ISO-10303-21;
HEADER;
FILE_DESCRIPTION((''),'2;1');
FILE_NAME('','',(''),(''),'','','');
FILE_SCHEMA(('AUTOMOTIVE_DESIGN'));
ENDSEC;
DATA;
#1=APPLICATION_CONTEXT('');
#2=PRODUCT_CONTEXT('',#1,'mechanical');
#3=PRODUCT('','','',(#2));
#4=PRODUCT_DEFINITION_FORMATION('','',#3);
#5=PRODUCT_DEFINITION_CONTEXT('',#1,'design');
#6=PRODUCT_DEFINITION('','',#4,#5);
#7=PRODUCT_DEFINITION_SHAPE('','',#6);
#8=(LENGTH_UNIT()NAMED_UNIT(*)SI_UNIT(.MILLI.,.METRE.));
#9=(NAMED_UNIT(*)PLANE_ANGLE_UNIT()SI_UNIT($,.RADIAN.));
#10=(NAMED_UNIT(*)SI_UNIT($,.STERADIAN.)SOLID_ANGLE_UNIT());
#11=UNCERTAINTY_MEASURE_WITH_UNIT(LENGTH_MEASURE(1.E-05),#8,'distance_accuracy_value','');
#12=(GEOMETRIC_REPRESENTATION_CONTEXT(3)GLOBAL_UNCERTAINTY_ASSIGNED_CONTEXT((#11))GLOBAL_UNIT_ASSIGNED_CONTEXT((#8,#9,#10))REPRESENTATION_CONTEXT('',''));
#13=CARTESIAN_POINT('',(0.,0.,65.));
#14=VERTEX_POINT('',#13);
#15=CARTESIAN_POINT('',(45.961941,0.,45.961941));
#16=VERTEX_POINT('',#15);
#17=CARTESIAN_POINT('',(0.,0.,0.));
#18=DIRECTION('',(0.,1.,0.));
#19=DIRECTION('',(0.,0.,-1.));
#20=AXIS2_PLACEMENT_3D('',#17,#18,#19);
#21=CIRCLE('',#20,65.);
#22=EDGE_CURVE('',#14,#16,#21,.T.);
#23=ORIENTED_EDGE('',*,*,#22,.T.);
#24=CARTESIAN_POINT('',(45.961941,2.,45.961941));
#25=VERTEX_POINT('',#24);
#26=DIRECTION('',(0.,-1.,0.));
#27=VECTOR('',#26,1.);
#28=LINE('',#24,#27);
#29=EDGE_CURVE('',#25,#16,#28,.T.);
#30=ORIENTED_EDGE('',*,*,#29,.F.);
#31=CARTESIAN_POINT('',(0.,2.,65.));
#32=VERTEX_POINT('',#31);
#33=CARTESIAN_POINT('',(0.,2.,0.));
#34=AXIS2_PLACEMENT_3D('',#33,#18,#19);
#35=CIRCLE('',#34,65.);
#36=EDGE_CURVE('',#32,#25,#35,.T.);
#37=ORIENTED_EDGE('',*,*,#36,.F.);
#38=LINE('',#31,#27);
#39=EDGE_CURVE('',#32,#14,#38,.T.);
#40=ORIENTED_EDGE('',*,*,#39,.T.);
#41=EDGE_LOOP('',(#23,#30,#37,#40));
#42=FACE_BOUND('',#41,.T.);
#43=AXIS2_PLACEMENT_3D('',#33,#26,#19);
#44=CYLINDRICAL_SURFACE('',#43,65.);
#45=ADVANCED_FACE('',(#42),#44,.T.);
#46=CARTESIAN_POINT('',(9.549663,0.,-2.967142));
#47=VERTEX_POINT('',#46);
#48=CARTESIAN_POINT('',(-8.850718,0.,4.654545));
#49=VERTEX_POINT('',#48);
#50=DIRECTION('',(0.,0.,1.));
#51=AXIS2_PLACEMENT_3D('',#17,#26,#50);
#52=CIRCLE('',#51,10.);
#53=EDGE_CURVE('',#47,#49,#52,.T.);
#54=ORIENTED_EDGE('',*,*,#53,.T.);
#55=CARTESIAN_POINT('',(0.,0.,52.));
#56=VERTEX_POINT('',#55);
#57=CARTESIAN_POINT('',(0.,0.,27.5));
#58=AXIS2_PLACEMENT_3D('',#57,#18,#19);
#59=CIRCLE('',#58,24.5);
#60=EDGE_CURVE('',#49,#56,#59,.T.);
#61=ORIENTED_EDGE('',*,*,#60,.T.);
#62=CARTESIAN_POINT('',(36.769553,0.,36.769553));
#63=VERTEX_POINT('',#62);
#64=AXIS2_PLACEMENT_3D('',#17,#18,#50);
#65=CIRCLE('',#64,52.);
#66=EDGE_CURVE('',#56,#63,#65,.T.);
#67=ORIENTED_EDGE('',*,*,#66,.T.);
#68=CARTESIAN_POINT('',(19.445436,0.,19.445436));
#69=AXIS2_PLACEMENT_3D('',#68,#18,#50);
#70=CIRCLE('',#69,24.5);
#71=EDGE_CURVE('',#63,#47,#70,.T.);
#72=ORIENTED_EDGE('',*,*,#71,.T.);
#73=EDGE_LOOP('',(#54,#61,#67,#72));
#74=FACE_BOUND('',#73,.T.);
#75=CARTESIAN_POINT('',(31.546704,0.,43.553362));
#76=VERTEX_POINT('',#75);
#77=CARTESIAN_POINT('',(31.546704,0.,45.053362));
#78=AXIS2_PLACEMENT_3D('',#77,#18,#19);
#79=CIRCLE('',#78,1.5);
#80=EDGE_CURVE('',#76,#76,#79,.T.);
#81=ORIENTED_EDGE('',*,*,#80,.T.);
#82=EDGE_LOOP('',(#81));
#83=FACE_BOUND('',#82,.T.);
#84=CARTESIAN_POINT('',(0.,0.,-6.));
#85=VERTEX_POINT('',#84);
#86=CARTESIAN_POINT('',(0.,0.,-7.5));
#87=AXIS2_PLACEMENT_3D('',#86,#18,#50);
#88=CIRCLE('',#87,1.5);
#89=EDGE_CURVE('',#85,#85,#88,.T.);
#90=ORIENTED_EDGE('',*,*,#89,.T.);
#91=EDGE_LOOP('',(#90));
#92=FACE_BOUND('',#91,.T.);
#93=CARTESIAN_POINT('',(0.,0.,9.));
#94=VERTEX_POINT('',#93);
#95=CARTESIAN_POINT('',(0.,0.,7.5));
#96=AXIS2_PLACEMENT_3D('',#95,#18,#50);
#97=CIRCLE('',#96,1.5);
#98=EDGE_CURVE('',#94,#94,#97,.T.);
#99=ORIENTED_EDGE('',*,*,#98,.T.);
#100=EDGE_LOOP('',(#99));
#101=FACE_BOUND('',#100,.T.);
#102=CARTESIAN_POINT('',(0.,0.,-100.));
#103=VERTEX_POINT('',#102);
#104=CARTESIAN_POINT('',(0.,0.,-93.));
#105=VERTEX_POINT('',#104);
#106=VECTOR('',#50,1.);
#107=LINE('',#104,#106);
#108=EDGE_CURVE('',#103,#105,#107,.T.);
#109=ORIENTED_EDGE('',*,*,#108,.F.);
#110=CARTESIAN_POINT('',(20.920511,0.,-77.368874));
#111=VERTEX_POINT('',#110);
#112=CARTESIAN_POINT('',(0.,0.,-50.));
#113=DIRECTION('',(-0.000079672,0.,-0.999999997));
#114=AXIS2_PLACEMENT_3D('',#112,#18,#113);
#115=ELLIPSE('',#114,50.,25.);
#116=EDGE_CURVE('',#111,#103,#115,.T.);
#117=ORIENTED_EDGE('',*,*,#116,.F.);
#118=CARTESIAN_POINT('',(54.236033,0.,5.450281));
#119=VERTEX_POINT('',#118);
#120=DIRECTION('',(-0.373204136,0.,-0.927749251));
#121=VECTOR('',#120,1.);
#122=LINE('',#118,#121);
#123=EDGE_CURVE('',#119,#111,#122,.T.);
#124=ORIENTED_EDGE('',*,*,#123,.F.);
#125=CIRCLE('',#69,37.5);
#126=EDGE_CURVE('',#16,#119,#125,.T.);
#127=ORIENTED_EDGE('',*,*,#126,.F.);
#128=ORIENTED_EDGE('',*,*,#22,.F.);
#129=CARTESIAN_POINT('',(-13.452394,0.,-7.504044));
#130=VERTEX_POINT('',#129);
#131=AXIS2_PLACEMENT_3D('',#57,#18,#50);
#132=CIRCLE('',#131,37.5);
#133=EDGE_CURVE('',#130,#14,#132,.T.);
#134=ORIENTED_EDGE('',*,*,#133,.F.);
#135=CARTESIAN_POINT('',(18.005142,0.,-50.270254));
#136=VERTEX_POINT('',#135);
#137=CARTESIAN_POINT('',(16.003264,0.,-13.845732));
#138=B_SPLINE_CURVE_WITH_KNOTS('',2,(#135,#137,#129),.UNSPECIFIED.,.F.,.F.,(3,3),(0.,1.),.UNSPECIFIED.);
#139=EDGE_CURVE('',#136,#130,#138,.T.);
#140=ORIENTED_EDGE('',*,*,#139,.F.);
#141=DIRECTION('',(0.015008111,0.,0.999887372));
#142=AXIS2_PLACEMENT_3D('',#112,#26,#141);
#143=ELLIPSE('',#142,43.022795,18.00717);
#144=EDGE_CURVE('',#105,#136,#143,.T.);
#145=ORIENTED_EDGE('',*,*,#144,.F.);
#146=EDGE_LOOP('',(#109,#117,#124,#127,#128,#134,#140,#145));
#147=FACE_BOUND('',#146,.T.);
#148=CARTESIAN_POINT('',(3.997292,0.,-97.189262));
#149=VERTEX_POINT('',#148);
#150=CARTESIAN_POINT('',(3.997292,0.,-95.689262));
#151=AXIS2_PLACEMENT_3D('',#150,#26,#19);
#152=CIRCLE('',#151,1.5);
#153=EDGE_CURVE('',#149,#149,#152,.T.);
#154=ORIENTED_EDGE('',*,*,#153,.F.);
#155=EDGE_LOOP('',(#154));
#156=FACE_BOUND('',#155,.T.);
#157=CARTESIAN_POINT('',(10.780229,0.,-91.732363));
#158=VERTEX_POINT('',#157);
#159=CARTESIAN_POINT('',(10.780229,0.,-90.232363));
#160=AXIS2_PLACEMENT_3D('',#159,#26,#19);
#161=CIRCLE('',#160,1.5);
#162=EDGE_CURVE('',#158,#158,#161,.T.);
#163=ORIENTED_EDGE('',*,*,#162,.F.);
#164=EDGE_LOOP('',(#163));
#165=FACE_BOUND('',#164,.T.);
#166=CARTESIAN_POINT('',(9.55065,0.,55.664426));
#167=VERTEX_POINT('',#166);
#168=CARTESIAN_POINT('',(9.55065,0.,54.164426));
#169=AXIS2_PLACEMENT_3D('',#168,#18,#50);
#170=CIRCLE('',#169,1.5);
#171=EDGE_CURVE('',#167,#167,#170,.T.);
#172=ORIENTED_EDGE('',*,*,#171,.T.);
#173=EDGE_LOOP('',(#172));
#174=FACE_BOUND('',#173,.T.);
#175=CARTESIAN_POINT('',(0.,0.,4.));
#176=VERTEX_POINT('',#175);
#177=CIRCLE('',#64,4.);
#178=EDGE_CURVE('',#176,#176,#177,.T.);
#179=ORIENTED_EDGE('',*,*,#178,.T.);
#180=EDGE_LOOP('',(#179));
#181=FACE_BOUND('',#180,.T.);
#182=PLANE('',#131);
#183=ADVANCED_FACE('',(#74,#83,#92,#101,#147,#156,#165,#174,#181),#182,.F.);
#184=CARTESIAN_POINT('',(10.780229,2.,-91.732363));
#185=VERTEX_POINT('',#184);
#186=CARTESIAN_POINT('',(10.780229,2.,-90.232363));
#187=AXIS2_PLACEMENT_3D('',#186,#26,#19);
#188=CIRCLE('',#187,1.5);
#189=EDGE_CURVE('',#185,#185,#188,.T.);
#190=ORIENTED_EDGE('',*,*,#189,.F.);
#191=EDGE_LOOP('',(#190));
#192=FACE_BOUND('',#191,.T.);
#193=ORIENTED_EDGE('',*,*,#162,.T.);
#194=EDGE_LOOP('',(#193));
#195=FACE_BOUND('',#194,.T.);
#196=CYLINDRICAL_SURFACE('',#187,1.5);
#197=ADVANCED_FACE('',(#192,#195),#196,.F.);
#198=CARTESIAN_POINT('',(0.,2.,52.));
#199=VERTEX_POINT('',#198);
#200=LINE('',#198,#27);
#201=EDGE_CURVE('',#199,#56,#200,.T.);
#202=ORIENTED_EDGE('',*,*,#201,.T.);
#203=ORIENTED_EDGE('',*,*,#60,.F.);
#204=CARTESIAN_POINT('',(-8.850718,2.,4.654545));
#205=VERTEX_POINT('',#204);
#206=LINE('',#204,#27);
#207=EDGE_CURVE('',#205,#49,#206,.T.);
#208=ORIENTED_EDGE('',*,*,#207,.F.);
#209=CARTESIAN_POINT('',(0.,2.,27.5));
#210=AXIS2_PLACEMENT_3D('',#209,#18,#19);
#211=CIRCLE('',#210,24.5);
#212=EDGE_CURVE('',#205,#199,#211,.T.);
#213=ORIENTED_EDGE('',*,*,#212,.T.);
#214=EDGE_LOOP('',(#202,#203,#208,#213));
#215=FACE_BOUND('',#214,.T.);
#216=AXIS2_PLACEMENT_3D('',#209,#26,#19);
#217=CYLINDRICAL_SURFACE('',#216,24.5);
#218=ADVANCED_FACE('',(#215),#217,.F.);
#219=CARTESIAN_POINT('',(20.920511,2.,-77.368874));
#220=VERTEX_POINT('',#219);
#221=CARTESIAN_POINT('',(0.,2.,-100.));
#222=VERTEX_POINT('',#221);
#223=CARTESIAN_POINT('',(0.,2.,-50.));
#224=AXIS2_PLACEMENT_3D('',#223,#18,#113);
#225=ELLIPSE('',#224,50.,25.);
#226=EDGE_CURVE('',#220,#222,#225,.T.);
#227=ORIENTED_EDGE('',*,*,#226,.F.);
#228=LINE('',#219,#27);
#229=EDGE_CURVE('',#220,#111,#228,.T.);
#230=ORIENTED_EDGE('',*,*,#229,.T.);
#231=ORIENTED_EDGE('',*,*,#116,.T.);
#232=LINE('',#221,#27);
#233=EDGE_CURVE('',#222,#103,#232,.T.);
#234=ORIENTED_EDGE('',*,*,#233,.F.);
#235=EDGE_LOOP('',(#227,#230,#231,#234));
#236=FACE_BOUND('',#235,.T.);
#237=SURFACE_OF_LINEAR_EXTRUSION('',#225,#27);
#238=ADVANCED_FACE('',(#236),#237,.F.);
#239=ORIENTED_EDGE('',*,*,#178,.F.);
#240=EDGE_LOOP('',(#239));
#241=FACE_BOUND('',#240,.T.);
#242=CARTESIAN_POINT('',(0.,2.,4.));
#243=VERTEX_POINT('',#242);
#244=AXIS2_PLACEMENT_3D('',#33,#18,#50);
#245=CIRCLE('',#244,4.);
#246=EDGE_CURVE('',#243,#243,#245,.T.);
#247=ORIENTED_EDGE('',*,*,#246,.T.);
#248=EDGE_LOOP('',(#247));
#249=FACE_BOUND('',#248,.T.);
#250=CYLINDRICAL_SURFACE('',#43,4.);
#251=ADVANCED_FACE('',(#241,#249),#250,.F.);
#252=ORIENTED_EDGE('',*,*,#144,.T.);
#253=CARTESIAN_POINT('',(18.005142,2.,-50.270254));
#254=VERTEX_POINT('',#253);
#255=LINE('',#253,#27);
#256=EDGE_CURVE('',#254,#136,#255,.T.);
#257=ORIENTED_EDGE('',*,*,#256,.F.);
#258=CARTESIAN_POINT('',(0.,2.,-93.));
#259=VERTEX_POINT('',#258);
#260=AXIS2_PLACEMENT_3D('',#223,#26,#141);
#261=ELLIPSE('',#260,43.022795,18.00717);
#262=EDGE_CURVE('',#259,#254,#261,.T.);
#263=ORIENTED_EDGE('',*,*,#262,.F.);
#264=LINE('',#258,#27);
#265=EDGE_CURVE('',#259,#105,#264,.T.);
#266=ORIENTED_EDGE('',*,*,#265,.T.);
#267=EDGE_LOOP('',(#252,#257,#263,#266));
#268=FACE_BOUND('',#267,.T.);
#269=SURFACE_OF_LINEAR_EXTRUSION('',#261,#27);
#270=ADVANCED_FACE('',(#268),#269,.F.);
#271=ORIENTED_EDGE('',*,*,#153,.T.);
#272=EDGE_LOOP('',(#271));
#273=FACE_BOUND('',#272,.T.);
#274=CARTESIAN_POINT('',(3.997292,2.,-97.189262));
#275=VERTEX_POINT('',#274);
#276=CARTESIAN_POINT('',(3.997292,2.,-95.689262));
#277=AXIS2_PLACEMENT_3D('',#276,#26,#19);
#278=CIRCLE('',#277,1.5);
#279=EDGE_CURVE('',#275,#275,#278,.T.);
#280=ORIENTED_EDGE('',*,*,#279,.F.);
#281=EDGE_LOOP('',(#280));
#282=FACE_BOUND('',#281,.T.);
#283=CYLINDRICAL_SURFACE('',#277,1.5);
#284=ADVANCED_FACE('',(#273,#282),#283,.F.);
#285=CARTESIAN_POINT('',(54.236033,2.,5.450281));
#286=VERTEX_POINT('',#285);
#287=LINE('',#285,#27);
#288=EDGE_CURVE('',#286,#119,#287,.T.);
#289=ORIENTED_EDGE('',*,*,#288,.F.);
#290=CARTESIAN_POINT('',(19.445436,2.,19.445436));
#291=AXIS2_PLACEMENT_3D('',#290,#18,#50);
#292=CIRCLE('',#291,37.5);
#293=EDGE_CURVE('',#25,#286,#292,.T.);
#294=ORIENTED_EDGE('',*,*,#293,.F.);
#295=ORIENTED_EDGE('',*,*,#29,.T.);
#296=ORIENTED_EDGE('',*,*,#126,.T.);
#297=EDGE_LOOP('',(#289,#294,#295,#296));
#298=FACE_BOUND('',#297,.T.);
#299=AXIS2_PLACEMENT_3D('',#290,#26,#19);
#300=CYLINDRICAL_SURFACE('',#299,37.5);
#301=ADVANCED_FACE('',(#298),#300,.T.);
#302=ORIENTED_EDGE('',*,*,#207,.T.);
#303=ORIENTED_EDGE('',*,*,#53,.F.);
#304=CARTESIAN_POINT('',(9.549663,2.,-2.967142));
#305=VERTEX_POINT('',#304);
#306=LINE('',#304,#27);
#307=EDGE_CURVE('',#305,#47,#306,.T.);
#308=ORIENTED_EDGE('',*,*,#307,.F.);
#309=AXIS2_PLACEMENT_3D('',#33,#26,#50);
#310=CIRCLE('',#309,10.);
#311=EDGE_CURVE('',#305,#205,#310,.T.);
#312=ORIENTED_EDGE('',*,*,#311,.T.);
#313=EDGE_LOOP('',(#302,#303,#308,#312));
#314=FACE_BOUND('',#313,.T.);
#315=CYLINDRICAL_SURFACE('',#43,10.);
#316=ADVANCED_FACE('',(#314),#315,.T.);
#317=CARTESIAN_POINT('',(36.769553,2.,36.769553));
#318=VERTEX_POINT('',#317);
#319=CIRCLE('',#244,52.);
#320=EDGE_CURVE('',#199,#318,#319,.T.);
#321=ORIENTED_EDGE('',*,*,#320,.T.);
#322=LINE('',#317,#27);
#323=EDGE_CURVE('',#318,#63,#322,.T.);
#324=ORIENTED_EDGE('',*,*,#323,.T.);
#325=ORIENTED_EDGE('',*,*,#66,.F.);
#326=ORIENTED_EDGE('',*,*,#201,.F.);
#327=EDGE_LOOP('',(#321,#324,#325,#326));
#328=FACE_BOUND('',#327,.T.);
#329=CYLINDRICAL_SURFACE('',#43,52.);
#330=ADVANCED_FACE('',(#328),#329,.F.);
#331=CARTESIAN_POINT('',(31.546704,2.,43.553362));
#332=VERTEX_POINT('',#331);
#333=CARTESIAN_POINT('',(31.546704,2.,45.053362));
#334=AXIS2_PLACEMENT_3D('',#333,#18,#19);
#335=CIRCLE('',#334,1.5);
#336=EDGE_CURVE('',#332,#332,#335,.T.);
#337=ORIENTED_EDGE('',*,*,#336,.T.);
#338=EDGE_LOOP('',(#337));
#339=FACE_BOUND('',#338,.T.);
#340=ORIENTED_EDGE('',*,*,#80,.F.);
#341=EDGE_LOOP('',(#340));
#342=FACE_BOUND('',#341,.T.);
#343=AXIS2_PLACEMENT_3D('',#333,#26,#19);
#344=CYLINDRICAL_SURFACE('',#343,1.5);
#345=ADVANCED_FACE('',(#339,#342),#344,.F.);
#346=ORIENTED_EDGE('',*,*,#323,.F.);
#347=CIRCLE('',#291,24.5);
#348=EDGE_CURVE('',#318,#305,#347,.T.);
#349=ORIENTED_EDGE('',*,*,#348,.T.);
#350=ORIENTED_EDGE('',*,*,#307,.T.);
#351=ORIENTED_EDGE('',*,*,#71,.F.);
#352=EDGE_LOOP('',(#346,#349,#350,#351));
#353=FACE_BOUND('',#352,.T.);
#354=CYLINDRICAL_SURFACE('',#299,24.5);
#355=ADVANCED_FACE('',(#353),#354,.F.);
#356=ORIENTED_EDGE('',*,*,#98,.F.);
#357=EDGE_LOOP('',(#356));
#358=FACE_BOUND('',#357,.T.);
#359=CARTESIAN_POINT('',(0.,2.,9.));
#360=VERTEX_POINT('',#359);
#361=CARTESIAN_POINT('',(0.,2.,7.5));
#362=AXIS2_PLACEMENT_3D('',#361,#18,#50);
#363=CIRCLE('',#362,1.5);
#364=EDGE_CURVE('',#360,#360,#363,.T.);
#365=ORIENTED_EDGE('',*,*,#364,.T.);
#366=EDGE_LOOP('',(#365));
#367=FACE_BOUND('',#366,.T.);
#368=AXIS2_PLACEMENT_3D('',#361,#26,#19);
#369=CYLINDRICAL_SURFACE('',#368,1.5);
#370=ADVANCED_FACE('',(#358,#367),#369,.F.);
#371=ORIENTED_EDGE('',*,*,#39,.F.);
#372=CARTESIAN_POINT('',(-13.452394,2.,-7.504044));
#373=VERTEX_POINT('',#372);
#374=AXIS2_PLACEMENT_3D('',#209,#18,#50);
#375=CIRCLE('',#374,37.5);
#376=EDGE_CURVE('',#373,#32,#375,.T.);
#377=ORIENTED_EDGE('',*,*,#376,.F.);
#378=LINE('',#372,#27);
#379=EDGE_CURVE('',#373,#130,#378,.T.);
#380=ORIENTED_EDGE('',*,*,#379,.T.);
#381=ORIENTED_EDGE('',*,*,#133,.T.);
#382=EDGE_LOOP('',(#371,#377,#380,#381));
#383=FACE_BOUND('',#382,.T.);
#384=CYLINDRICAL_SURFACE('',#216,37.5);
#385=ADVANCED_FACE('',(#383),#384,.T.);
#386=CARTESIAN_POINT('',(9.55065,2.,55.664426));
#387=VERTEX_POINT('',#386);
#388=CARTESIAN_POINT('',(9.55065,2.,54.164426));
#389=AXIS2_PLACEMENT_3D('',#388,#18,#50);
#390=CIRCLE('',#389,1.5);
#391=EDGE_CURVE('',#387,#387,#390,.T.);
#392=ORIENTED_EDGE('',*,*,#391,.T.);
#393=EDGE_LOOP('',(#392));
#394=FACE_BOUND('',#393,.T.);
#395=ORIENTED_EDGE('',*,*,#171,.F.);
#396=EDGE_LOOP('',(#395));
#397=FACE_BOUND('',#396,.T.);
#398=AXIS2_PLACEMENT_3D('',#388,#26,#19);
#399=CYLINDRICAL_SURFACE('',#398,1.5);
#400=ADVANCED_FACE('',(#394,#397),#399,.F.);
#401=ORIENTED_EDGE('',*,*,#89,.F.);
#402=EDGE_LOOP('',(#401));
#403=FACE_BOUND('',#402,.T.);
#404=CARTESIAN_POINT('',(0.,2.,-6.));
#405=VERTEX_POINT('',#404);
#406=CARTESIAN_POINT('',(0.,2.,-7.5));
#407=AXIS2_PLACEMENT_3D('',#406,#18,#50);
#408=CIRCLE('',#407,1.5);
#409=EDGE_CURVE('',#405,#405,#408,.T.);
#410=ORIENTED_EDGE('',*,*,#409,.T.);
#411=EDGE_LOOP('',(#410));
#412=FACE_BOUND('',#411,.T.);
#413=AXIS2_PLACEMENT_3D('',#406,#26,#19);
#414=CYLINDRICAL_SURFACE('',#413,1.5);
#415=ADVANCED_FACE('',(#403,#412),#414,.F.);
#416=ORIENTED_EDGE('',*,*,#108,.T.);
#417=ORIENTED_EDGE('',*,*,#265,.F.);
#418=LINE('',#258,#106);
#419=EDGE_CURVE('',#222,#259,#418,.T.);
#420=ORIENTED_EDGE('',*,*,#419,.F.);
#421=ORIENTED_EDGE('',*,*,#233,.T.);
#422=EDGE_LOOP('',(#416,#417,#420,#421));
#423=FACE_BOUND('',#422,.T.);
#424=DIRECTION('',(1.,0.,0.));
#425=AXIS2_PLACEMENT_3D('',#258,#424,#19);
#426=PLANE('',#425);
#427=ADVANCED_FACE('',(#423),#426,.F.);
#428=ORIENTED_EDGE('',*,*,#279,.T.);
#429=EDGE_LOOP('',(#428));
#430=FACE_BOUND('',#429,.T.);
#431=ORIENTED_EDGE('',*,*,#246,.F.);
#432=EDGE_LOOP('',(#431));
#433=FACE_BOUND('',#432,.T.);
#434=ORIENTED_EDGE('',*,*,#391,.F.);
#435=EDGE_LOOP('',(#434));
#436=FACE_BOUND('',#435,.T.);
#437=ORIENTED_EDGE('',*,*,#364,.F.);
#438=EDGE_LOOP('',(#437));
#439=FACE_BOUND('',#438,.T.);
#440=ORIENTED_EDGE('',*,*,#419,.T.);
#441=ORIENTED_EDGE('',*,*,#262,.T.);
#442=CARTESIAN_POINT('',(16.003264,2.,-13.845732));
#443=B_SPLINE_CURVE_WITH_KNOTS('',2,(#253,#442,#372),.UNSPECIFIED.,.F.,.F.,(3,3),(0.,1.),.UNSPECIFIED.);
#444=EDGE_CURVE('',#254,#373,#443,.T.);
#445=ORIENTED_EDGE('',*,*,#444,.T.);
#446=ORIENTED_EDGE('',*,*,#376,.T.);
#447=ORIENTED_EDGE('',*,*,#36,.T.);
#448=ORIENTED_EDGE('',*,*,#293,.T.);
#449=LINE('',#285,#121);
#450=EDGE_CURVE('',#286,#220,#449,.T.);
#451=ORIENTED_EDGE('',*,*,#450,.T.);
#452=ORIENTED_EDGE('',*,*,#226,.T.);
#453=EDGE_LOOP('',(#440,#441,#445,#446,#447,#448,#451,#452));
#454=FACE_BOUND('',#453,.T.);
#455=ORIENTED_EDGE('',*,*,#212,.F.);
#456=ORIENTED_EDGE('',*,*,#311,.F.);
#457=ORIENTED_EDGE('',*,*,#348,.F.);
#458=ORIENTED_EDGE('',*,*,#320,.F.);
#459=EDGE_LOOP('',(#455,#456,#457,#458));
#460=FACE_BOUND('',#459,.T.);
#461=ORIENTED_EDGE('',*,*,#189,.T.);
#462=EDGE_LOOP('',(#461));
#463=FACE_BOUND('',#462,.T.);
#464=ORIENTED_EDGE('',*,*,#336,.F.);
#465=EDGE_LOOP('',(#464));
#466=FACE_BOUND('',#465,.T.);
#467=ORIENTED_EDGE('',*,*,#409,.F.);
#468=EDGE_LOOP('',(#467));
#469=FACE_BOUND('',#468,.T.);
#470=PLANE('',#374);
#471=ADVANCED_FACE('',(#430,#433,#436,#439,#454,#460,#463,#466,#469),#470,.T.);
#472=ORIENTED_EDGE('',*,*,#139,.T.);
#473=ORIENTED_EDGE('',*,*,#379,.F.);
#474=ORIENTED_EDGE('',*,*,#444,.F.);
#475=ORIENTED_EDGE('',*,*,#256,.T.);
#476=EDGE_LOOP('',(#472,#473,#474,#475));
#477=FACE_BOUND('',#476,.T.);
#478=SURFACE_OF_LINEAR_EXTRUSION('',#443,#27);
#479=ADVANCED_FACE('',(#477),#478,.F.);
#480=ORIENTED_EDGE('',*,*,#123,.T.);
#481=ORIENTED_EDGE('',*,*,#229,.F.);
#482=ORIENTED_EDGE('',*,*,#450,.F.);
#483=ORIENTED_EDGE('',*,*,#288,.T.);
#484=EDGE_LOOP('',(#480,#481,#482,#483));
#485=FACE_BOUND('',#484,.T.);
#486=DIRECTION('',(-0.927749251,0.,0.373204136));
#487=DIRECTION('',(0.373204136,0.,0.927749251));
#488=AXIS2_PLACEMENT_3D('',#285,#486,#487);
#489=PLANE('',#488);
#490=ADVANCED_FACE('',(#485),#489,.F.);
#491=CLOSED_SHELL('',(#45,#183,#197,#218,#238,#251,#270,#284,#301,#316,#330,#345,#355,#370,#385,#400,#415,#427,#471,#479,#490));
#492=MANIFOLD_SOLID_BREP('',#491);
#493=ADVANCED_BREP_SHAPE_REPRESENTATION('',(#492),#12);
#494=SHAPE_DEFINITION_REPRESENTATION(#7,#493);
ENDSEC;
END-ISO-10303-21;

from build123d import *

# Parameters (mm, degrees)
SKETCH_1_R          = 1.5
SKETCH_1_R_2        = 4
EXTRUDE_1_DEPTH     = 2
SKETCH_2_R          = 1.5
CUT_EXTRUDE_1_DEPTH = 116.094668721


with BuildPart() as part:
    # Эскиз1 → Бобышка-Вытянуть1 (new body)
    with BuildSketch(Plane(origin=(0, 0, 0), x_dir=(1, 0, 0), z_dir=(0, 1, 0))):
        with BuildLine():
            Line((54.236033393, -5.45028137), (20.920510558, 77.368874006))
            add(Edge.make_bspline(
                [(20.920510558, 77.368874006), (13.519104954, 99.996768719), (0, 100)],
                knots=[2.149983836, 2.149983836, 2.149983836, 3.14143331, 3.14143331, 3.14143331], degree=2, weights=[1, 0.879624206, 1]))
            Line((0, 100), (0, 93))
            add(Edge.make_bspline(
                [(18.005142203, 50.270253613), (17.382191681, 91.773168681), (0, 93)],
                knots=[1.570796327, 1.570796327, 1.570796327, 3.105746544, 3.105746544, 3.105746544], degree=2, weights=[1, 0.719666045, 1]))
            add(Edge.make_bspline(
                [(-13.452394346, 7.504043857), (16.003264405, 13.845732338), (18.005142203, 50.270253613)],
                knots=[0, 0, 0, 1, 1, 1], degree=2))
            ThreePointArc((-13.452394346, 7.504043857), (-36.870731242, -34.340992448), (0, -65))
            ThreePointArc((0, -65), (24.874423104, -60.052169613), (45.961940777, -45.961940777))
            ThreePointArc((45.961940777, -45.961940777), (56.186949809, -26.949515273), (54.236033393, -5.45028137))
        make_face()
        with Locations(Location((9.550649772, -54.164426416, 0), (0, 0, 270))):
            Circle(SKETCH_1_R, mode=Mode.SUBTRACT)
        with Locations(Location((31.546703999, -45.053362436, 0), (0, 0, 90))):
            Circle(SKETCH_1_R, mode=Mode.SUBTRACT)
        with Locations(Location((0, 0, 0), (0, 0, 270))):
            Circle(SKETCH_1_R_2, mode=Mode.SUBTRACT)
        with Locations(Location((0, -7.5, 0), (0, 0, 270))):
            Circle(SKETCH_1_R, mode=Mode.SUBTRACT)
        with Locations(Location((0, 7.5, 0), (0, 0, 270))):
            Circle(SKETCH_1_R, mode=Mode.SUBTRACT)
        with BuildLine():
            ThreePointArc((0, -52), (19.899538483, -48.041735691), (36.769552622, -36.769552622))
            ThreePointArc((36.769552622, -36.769552622), (39.657964622, -5.59972573), (9.54966327, 2.967141962))
            ThreePointArc((9.54966327, 2.967141962), (7.071067812, -7.071067812), (-2.967141962, -9.54966327))
            ThreePointArc((-2.967141962, -9.54966327), (-6.395779647, -7.687262368), (-8.850717859, -4.654545455))
            ThreePointArc((-8.850717859, -4.654545455), (-24.082811675, -32.002019749), (0, -52))
        make_face(mode=Mode.SUBTRACT)
    extrude(amount=EXTRUDE_1_DEPTH)

    # Эскиз2 → Вырез-Вытянуть1 (cut, through all)
    with BuildSketch(Plane.XZ):
        with Locations(Location((3.997292475, -95.689262056, 0), (0, 0, 270))):
            Circle(SKETCH_2_R)
        with Locations(Location((10.780229305, -90.232363482, 0), (0, 0, 270))):
            Circle(SKETCH_2_R)
    extrude(amount=-CUT_EXTRUDE_1_DEPTH, mode=Mode.SUBTRACT)


solid = part.part
